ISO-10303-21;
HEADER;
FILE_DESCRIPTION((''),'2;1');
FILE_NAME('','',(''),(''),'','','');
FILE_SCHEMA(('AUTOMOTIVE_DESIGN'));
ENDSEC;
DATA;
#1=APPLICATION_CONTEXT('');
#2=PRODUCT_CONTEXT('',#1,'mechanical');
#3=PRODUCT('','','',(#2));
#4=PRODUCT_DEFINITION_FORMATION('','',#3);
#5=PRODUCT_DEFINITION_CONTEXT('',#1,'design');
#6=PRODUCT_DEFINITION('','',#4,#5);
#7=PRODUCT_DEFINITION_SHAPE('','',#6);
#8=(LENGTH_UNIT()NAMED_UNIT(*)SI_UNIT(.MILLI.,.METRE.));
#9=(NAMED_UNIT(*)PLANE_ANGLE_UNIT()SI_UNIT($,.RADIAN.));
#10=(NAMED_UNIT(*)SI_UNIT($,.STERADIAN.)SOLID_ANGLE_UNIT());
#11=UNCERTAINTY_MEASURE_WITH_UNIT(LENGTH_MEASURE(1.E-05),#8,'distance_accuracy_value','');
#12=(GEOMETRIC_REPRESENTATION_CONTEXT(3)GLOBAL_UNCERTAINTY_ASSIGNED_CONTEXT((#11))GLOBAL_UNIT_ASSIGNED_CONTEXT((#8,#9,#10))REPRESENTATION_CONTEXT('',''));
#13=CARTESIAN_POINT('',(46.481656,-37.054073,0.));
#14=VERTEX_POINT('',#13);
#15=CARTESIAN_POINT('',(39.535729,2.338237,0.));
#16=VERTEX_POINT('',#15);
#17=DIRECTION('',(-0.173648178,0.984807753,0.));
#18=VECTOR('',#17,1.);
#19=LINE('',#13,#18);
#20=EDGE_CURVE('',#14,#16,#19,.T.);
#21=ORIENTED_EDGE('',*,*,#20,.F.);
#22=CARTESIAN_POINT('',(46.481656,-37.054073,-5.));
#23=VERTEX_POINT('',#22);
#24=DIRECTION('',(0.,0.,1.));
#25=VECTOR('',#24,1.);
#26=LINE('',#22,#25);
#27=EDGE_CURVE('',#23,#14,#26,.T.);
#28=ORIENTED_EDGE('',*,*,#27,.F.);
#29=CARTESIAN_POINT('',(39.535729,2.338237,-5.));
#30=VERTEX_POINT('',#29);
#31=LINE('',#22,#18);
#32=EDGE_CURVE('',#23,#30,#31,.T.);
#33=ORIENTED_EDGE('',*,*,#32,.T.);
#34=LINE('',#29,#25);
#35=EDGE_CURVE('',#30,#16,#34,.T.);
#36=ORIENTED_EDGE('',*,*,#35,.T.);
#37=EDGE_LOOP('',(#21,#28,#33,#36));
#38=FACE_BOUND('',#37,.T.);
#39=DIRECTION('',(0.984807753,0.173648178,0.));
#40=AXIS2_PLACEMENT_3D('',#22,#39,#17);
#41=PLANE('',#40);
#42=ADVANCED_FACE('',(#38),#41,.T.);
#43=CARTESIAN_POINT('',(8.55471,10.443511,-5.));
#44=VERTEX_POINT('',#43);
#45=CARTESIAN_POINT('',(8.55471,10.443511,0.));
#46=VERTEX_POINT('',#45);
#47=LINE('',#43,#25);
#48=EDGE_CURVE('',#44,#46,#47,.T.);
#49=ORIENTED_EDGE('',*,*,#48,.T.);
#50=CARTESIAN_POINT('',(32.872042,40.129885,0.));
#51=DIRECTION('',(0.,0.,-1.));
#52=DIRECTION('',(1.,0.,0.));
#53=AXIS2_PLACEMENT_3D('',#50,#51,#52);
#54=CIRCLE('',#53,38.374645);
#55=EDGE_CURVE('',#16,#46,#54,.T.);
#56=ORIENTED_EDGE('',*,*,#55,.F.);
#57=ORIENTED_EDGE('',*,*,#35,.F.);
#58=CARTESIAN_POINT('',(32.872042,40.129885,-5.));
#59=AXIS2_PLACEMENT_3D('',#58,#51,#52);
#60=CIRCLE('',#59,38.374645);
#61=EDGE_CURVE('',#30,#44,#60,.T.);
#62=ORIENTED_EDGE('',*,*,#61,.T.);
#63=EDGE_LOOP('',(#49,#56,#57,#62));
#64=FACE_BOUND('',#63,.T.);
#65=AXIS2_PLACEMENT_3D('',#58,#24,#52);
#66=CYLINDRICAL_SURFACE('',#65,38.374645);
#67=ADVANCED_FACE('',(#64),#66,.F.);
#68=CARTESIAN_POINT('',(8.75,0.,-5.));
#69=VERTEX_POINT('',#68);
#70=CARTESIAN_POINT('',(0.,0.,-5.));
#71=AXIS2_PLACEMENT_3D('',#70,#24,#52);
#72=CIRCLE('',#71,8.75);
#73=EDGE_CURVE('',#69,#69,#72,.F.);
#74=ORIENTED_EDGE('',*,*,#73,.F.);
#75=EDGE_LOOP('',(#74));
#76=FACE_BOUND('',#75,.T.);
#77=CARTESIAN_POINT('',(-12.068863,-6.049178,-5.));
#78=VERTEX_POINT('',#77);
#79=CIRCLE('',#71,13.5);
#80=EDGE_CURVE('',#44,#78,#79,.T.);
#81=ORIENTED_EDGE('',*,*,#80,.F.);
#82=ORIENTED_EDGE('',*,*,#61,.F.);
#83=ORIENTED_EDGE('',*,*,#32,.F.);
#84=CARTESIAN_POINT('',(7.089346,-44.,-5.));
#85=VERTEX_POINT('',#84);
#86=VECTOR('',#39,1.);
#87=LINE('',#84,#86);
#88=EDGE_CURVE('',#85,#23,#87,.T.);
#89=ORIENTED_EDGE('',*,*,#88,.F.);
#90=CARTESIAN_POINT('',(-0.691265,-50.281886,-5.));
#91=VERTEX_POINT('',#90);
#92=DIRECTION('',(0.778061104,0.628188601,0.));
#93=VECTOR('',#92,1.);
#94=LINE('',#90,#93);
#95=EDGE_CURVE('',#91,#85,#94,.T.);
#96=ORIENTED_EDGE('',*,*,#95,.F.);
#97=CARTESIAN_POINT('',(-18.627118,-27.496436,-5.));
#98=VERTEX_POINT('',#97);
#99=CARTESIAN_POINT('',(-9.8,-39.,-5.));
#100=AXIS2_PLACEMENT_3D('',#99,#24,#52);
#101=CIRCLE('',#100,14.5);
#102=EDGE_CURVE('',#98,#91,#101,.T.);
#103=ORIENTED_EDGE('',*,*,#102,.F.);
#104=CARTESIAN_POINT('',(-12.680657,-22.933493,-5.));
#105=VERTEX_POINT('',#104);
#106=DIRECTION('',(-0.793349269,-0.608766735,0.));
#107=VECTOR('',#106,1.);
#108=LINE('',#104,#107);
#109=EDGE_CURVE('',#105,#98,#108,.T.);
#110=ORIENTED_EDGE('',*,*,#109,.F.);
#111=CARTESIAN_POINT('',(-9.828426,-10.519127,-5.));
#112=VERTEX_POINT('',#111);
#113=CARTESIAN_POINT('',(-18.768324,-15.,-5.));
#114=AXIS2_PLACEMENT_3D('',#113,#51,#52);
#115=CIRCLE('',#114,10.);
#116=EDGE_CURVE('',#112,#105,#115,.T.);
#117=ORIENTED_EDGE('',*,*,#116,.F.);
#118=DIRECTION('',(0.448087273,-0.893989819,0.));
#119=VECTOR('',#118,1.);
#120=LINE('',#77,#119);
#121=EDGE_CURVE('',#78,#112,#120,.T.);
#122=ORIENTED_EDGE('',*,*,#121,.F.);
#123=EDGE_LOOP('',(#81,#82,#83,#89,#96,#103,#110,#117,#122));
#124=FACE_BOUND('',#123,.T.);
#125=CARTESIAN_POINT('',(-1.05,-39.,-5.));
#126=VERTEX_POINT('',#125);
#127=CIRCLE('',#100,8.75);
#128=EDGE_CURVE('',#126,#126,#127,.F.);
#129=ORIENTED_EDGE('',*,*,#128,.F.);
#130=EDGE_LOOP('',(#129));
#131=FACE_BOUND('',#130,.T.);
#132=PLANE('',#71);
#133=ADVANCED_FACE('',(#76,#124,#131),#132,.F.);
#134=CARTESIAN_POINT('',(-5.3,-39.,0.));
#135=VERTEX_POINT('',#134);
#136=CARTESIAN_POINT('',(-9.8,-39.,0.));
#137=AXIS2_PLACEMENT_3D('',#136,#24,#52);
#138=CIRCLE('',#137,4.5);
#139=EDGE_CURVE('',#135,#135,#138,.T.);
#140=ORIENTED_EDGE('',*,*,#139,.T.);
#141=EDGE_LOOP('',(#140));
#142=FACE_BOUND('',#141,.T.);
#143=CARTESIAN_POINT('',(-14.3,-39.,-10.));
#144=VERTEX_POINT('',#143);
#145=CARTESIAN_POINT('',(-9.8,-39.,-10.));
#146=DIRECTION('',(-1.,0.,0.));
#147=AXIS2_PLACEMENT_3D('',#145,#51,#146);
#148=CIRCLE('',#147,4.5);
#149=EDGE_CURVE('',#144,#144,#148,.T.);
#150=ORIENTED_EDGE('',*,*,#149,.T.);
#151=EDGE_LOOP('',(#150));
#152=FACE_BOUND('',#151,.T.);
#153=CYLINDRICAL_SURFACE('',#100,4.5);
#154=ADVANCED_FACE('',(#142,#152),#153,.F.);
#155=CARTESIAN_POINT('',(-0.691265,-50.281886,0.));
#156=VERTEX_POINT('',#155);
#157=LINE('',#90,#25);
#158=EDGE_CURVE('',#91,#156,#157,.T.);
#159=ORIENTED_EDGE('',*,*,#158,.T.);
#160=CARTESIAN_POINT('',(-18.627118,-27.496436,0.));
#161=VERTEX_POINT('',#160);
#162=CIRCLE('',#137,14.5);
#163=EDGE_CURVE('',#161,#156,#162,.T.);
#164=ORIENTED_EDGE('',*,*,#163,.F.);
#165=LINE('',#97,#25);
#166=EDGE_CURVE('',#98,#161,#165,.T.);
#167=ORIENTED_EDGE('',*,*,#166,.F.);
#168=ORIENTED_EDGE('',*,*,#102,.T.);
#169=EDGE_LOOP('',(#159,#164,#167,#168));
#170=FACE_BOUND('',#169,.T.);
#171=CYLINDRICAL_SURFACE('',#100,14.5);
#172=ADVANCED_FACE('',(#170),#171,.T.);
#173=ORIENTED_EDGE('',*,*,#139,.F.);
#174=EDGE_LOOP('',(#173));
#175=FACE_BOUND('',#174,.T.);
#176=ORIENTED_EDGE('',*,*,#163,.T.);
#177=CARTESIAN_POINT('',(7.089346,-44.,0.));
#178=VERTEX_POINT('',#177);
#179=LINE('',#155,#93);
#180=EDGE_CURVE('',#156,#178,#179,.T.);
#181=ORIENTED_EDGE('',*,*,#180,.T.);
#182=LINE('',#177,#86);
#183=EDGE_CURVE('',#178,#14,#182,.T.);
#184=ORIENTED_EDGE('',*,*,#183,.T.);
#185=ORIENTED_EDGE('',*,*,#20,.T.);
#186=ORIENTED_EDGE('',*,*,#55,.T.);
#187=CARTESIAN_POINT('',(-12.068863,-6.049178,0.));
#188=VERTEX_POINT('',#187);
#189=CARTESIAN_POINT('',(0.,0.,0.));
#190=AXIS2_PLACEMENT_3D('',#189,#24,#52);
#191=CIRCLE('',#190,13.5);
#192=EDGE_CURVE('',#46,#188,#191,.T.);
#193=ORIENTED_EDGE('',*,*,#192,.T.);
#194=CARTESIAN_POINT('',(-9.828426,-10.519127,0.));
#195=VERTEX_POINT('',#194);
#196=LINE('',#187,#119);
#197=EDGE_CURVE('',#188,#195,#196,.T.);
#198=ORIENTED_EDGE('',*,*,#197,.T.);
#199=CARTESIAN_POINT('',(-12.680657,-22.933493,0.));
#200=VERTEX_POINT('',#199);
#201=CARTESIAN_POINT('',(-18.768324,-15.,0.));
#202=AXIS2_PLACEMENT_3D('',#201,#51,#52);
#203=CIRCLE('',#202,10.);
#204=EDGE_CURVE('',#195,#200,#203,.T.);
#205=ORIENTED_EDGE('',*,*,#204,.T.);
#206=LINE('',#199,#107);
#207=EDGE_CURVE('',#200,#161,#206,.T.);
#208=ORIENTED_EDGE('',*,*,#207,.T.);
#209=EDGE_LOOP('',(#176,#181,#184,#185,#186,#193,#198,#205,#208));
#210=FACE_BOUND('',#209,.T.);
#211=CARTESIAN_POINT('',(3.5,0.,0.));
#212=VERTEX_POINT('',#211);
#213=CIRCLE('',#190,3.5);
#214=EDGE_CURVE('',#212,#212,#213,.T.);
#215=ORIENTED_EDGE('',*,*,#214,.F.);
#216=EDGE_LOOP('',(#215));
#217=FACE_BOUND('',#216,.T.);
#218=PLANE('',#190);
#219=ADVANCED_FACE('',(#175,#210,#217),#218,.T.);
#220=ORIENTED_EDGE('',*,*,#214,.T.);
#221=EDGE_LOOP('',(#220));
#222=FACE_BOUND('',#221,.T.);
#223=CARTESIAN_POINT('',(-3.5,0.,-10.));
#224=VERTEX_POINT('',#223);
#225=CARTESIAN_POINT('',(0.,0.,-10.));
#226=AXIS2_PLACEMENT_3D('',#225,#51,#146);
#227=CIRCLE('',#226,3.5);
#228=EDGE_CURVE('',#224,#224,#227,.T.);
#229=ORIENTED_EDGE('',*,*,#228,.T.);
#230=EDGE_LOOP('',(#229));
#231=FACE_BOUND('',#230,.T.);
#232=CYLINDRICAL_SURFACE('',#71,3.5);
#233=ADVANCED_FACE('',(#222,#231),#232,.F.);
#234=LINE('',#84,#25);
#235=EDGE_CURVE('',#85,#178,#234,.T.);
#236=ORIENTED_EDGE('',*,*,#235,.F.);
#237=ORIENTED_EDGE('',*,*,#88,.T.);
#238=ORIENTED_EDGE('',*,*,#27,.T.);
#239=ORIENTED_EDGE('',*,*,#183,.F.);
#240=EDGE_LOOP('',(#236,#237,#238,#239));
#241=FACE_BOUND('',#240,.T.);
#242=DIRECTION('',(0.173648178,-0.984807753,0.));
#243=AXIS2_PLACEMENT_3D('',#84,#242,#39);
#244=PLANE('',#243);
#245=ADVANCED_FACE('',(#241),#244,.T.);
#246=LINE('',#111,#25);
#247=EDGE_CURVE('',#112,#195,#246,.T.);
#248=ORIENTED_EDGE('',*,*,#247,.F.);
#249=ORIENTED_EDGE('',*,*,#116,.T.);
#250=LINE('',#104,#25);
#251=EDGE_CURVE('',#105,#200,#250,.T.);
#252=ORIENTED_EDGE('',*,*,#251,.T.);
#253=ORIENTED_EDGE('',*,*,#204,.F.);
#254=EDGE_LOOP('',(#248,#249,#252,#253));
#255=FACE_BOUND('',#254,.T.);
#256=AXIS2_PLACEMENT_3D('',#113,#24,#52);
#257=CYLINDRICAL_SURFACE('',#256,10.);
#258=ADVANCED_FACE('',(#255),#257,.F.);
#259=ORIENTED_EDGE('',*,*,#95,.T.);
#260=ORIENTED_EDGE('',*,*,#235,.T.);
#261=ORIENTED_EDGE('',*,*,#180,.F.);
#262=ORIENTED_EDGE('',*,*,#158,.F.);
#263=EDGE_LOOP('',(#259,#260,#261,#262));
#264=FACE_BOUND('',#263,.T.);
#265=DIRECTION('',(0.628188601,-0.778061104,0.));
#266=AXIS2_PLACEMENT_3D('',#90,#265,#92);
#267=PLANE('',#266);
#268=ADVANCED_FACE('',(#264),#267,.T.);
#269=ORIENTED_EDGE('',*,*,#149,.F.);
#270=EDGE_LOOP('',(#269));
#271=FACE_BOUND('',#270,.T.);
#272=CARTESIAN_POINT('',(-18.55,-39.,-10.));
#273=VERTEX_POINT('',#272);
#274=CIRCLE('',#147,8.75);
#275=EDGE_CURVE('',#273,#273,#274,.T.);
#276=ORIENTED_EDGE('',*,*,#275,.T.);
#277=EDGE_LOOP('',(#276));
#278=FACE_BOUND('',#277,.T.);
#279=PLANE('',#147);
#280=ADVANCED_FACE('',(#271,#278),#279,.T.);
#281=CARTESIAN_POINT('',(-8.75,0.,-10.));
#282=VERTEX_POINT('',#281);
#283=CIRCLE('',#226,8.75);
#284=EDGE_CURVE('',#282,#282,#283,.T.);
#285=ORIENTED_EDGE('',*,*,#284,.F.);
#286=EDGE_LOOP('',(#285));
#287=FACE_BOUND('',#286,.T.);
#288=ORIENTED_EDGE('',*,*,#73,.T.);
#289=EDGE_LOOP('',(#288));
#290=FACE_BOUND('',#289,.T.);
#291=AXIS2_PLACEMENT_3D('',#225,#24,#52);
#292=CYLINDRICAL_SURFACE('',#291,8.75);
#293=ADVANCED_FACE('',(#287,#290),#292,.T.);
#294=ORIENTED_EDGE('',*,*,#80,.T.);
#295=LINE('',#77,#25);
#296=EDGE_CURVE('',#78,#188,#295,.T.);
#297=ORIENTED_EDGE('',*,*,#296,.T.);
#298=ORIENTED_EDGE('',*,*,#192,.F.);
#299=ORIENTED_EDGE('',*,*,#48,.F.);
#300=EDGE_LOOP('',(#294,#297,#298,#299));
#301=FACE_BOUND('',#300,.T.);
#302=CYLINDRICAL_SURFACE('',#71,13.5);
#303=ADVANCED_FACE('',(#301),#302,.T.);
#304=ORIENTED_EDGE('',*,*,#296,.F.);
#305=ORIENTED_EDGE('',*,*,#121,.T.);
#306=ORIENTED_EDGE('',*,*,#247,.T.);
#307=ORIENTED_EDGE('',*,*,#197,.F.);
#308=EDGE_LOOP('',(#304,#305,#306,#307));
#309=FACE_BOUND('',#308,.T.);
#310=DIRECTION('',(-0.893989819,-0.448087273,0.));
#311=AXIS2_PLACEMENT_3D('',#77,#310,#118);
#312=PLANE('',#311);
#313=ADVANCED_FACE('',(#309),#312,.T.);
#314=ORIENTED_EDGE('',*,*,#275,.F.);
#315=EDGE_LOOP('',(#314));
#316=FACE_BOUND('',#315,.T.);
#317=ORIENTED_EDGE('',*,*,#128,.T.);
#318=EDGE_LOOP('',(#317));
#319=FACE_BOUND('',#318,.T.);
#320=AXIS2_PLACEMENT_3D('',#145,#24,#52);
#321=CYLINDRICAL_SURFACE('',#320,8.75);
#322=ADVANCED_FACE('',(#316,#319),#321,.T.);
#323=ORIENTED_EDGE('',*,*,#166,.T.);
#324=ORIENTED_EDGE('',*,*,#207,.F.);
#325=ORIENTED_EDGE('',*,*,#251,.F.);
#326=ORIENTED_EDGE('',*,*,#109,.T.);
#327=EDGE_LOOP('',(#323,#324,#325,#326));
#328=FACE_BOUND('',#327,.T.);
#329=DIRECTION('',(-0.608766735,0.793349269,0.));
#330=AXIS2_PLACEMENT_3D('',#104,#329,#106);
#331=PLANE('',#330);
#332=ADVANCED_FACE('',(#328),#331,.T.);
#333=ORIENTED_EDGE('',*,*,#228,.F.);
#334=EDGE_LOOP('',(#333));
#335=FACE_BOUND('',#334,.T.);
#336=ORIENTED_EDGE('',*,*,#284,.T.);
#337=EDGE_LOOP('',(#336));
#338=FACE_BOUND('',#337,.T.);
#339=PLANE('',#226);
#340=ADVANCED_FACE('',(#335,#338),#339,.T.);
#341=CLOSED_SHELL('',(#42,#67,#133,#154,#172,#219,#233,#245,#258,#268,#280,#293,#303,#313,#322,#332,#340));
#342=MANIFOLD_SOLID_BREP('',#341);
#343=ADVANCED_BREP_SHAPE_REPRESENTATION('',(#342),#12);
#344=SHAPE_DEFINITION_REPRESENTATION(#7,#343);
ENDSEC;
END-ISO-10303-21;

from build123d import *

# Parameters (mm, degrees)
SKETCH1_R           = 3.5
SKETCH1_R_2         = 4.5
BOSS_EXTRUDE1_DEPTH = 5
SKETCH2_R           = 8.75
SKETCH2_R_2         = 3.5
SKETCH2_R_3         = 4.5
BOSS_EXTRUDE2_DEPTH = 5


with BuildPart() as part:
    # Sketch1 → Boss-Extrude1 (new body)
    with BuildSketch(Plane.XY):
        with BuildLine():
            Line((-12.068862554, -6.04917818), (-9.828426191, -10.519127274))
            ThreePointArc((-9.828426191, -10.519127274), (-9.022245749, -17.239185417), (-12.680657026, -22.933492686))
            Line((-12.680657026, -22.933492686), (-18.627117662, -27.496435605))
            ThreePointArc((-18.627117662, -27.496435605), (-21.193595331, -47.96861112), (-0.691265287, -50.281886009))
            Line((-0.691265287, -50.281886009), (7.089345754, -44))
            Line((7.089345754, -44), (46.481655875, -37.054072893))
            Line((46.481655875, -37.054072893), (39.535728768, 2.338237227))
            ThreePointArc((39.535728768, 2.338237227), (23.15933572, 3.004735652), (8.554710295, 10.443511467))
            ThreePointArc((8.554710295, 10.443511467), (-8.431460103, 10.543267071), (-12.068862554, -6.04917818))
        make_face()
        Circle(SKETCH1_R, mode=Mode.SUBTRACT)
        with Locations((-9.8, -39)):
            Circle(SKETCH1_R_2, mode=Mode.SUBTRACT)
    extrude(amount=-BOSS_EXTRUDE1_DEPTH)

    # Sketch2 → Boss-Extrude2 (add)
    # profile 1 of 2: a face of its own
    with BuildSketch(Plane(origin=(0, 0, -5), x_dir=(-1, 0, 0), z_dir=(0, 0, -1))):
        with Locations(Location((0, 0, 0), (0, 0, 180))):
            Circle(SKETCH2_R)
        with Locations(Location((0, 0, 0), (0, 0, 180))):
            Circle(SKETCH2_R_2, mode=Mode.SUBTRACT)
    # profile 2 of 2: a face of its own
    with BuildSketch(Plane(origin=(0, 0, -5), x_dir=(-1, 0, 0), z_dir=(0, 0, -1))):
        with Locations(Location((9.8, -39, 0), (0, 0, 180))):
            Circle(SKETCH2_R)
        with Locations(Location((9.8, -39, 0), (0, 0, 180))):
            Circle(SKETCH2_R_3, mode=Mode.SUBTRACT)
    extrude(amount=BOSS_EXTRUDE2_DEPTH)


solid = part.part
